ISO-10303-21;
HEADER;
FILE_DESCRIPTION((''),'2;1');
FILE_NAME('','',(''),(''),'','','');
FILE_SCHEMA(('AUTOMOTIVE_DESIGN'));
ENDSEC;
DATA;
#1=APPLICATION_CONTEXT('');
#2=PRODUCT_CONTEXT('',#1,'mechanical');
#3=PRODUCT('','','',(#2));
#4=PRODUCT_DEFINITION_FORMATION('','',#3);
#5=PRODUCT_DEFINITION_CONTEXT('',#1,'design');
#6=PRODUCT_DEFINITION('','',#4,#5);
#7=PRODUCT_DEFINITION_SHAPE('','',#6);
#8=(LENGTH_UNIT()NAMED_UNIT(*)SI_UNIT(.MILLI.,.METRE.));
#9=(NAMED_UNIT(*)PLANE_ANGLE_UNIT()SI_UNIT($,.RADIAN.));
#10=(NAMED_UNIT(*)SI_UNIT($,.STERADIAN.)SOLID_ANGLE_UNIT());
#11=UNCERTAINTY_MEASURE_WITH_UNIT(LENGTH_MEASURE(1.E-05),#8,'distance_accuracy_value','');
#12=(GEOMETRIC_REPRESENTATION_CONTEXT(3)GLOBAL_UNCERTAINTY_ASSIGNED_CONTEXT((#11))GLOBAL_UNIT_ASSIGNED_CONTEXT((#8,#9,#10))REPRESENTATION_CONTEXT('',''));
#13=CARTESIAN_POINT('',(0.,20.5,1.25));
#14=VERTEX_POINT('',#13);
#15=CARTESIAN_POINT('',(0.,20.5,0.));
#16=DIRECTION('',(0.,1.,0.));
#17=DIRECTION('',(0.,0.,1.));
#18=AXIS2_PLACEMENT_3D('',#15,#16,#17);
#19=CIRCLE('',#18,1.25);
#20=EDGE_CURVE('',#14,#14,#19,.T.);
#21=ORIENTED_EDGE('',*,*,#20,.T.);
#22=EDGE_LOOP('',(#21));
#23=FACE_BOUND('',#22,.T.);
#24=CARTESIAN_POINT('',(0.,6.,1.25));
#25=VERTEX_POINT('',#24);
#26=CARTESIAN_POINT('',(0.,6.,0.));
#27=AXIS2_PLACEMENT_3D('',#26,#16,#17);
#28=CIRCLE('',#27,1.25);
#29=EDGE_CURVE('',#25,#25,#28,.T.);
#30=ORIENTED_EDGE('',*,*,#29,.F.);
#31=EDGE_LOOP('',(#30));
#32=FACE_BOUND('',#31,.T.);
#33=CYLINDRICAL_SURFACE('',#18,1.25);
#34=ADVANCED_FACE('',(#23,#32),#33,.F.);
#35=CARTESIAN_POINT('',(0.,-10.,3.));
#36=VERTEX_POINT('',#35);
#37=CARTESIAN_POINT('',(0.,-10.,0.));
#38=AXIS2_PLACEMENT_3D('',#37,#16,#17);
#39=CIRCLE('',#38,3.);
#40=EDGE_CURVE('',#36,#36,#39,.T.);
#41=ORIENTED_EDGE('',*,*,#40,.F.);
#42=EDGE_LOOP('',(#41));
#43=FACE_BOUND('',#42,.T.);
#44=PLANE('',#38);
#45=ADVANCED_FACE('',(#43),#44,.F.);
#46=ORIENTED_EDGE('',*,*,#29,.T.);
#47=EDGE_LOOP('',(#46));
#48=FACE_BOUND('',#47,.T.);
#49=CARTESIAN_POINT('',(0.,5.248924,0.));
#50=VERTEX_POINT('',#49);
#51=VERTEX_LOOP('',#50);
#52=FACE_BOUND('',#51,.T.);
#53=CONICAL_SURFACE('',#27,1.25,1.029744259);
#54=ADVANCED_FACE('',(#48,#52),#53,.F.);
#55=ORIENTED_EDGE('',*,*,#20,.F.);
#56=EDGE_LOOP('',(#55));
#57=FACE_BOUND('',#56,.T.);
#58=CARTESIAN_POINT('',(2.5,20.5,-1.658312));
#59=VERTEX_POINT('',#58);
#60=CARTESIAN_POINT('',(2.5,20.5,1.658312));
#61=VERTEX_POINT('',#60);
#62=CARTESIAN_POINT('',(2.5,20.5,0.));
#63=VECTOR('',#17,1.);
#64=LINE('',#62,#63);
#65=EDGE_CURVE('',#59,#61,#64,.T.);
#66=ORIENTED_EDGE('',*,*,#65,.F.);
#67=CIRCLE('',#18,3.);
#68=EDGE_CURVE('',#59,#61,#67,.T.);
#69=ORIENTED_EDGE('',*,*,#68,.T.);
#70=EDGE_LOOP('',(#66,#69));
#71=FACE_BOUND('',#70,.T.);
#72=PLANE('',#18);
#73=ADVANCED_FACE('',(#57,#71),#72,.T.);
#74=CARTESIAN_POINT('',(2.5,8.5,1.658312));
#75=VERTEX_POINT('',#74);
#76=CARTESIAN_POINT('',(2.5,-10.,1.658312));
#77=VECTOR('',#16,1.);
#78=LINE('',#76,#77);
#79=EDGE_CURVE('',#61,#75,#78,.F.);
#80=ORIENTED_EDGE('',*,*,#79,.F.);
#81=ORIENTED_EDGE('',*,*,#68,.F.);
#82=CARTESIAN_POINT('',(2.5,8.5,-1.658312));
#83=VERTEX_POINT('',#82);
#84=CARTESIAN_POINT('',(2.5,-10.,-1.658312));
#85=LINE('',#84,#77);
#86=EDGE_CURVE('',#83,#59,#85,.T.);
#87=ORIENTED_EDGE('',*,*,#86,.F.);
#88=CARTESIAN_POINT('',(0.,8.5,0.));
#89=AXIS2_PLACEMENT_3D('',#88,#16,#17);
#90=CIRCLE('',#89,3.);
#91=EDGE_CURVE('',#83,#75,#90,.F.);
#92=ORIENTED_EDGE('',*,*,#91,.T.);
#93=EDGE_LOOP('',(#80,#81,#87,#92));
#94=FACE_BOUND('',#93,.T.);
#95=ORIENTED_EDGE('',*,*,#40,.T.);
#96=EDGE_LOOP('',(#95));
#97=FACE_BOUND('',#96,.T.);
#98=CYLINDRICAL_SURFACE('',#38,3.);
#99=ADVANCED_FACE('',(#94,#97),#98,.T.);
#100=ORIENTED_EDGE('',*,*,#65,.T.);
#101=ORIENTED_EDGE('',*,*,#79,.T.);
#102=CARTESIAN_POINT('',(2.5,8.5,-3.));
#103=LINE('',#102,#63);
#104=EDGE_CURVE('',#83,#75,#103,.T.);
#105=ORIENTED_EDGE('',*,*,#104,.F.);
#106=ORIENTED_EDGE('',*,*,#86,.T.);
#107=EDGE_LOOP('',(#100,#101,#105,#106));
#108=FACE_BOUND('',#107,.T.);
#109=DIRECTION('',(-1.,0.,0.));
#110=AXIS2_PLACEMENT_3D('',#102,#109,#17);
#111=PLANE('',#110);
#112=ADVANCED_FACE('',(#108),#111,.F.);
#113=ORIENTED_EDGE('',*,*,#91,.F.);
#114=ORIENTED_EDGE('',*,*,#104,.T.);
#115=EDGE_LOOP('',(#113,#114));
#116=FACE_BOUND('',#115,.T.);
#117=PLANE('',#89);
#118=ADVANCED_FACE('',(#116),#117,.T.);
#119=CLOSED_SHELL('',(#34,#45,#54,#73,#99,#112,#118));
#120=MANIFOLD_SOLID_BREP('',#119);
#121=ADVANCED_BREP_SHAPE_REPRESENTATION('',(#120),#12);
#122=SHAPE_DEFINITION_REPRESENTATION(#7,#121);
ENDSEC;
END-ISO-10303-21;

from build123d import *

# Parameters (mm, degrees)
SKETCH1_R                 = 3
SHAFT_DEPTH               = 20.5
SHAFT_DEPTH_BACK          = 10
SKETCH2_W                 = 0.5
SKETCH2_H                 = 6
KEY_DEPTH                 = 12
M3X0_5_TAPPED_HOLE1_D     = 2.5
M3X0_5_TAPPED_HOLE1_DEPTH = 14.5
M3X0_5_TAPPED_HOLE1_TIP   = 0.751075774


with BuildPart() as part:
    # Sketch1 → SHAFT (new body, two sides)
    with BuildSketch(Plane(origin=(0, 0, 0), x_dir=(1, 0, 0), z_dir=(0, 1, 0))) as shaft_sk:
        Circle(SKETCH1_R)
    extrude(amount=SHAFT_DEPTH)
    extrude(shaft_sk.sketch, amount=-SHAFT_DEPTH_BACK)

    # Sketch2 → KEY (cut)
    with BuildSketch(Plane(origin=(0, 20.5, 0), x_dir=(1, 0, 0), z_dir=(0, 1, 0))):
        with Locations((2.75, 0)):
            Rectangle(SKETCH2_W, SKETCH2_H)
    extrude(amount=-KEY_DEPTH, mode=Mode.SUBTRACT)

    # M3x0.5 Tapped Hole1
    with Locations(Plane(origin=(0, 20.5, 0), x_dir=(1, 0, 0), z_dir=(0, 1, 0))):
        with Locations((0, 0)):
            Hole(M3X0_5_TAPPED_HOLE1_D / 2, depth=M3X0_5_TAPPED_HOLE1_DEPTH)
            with Locations((0, 0, -(M3X0_5_TAPPED_HOLE1_DEPTH + M3X0_5_TAPPED_HOLE1_TIP / 2))):  # 118° drill point
                Cone(0, M3X0_5_TAPPED_HOLE1_D / 2, M3X0_5_TAPPED_HOLE1_TIP, mode=Mode.SUBTRACT)


solid = part.part
